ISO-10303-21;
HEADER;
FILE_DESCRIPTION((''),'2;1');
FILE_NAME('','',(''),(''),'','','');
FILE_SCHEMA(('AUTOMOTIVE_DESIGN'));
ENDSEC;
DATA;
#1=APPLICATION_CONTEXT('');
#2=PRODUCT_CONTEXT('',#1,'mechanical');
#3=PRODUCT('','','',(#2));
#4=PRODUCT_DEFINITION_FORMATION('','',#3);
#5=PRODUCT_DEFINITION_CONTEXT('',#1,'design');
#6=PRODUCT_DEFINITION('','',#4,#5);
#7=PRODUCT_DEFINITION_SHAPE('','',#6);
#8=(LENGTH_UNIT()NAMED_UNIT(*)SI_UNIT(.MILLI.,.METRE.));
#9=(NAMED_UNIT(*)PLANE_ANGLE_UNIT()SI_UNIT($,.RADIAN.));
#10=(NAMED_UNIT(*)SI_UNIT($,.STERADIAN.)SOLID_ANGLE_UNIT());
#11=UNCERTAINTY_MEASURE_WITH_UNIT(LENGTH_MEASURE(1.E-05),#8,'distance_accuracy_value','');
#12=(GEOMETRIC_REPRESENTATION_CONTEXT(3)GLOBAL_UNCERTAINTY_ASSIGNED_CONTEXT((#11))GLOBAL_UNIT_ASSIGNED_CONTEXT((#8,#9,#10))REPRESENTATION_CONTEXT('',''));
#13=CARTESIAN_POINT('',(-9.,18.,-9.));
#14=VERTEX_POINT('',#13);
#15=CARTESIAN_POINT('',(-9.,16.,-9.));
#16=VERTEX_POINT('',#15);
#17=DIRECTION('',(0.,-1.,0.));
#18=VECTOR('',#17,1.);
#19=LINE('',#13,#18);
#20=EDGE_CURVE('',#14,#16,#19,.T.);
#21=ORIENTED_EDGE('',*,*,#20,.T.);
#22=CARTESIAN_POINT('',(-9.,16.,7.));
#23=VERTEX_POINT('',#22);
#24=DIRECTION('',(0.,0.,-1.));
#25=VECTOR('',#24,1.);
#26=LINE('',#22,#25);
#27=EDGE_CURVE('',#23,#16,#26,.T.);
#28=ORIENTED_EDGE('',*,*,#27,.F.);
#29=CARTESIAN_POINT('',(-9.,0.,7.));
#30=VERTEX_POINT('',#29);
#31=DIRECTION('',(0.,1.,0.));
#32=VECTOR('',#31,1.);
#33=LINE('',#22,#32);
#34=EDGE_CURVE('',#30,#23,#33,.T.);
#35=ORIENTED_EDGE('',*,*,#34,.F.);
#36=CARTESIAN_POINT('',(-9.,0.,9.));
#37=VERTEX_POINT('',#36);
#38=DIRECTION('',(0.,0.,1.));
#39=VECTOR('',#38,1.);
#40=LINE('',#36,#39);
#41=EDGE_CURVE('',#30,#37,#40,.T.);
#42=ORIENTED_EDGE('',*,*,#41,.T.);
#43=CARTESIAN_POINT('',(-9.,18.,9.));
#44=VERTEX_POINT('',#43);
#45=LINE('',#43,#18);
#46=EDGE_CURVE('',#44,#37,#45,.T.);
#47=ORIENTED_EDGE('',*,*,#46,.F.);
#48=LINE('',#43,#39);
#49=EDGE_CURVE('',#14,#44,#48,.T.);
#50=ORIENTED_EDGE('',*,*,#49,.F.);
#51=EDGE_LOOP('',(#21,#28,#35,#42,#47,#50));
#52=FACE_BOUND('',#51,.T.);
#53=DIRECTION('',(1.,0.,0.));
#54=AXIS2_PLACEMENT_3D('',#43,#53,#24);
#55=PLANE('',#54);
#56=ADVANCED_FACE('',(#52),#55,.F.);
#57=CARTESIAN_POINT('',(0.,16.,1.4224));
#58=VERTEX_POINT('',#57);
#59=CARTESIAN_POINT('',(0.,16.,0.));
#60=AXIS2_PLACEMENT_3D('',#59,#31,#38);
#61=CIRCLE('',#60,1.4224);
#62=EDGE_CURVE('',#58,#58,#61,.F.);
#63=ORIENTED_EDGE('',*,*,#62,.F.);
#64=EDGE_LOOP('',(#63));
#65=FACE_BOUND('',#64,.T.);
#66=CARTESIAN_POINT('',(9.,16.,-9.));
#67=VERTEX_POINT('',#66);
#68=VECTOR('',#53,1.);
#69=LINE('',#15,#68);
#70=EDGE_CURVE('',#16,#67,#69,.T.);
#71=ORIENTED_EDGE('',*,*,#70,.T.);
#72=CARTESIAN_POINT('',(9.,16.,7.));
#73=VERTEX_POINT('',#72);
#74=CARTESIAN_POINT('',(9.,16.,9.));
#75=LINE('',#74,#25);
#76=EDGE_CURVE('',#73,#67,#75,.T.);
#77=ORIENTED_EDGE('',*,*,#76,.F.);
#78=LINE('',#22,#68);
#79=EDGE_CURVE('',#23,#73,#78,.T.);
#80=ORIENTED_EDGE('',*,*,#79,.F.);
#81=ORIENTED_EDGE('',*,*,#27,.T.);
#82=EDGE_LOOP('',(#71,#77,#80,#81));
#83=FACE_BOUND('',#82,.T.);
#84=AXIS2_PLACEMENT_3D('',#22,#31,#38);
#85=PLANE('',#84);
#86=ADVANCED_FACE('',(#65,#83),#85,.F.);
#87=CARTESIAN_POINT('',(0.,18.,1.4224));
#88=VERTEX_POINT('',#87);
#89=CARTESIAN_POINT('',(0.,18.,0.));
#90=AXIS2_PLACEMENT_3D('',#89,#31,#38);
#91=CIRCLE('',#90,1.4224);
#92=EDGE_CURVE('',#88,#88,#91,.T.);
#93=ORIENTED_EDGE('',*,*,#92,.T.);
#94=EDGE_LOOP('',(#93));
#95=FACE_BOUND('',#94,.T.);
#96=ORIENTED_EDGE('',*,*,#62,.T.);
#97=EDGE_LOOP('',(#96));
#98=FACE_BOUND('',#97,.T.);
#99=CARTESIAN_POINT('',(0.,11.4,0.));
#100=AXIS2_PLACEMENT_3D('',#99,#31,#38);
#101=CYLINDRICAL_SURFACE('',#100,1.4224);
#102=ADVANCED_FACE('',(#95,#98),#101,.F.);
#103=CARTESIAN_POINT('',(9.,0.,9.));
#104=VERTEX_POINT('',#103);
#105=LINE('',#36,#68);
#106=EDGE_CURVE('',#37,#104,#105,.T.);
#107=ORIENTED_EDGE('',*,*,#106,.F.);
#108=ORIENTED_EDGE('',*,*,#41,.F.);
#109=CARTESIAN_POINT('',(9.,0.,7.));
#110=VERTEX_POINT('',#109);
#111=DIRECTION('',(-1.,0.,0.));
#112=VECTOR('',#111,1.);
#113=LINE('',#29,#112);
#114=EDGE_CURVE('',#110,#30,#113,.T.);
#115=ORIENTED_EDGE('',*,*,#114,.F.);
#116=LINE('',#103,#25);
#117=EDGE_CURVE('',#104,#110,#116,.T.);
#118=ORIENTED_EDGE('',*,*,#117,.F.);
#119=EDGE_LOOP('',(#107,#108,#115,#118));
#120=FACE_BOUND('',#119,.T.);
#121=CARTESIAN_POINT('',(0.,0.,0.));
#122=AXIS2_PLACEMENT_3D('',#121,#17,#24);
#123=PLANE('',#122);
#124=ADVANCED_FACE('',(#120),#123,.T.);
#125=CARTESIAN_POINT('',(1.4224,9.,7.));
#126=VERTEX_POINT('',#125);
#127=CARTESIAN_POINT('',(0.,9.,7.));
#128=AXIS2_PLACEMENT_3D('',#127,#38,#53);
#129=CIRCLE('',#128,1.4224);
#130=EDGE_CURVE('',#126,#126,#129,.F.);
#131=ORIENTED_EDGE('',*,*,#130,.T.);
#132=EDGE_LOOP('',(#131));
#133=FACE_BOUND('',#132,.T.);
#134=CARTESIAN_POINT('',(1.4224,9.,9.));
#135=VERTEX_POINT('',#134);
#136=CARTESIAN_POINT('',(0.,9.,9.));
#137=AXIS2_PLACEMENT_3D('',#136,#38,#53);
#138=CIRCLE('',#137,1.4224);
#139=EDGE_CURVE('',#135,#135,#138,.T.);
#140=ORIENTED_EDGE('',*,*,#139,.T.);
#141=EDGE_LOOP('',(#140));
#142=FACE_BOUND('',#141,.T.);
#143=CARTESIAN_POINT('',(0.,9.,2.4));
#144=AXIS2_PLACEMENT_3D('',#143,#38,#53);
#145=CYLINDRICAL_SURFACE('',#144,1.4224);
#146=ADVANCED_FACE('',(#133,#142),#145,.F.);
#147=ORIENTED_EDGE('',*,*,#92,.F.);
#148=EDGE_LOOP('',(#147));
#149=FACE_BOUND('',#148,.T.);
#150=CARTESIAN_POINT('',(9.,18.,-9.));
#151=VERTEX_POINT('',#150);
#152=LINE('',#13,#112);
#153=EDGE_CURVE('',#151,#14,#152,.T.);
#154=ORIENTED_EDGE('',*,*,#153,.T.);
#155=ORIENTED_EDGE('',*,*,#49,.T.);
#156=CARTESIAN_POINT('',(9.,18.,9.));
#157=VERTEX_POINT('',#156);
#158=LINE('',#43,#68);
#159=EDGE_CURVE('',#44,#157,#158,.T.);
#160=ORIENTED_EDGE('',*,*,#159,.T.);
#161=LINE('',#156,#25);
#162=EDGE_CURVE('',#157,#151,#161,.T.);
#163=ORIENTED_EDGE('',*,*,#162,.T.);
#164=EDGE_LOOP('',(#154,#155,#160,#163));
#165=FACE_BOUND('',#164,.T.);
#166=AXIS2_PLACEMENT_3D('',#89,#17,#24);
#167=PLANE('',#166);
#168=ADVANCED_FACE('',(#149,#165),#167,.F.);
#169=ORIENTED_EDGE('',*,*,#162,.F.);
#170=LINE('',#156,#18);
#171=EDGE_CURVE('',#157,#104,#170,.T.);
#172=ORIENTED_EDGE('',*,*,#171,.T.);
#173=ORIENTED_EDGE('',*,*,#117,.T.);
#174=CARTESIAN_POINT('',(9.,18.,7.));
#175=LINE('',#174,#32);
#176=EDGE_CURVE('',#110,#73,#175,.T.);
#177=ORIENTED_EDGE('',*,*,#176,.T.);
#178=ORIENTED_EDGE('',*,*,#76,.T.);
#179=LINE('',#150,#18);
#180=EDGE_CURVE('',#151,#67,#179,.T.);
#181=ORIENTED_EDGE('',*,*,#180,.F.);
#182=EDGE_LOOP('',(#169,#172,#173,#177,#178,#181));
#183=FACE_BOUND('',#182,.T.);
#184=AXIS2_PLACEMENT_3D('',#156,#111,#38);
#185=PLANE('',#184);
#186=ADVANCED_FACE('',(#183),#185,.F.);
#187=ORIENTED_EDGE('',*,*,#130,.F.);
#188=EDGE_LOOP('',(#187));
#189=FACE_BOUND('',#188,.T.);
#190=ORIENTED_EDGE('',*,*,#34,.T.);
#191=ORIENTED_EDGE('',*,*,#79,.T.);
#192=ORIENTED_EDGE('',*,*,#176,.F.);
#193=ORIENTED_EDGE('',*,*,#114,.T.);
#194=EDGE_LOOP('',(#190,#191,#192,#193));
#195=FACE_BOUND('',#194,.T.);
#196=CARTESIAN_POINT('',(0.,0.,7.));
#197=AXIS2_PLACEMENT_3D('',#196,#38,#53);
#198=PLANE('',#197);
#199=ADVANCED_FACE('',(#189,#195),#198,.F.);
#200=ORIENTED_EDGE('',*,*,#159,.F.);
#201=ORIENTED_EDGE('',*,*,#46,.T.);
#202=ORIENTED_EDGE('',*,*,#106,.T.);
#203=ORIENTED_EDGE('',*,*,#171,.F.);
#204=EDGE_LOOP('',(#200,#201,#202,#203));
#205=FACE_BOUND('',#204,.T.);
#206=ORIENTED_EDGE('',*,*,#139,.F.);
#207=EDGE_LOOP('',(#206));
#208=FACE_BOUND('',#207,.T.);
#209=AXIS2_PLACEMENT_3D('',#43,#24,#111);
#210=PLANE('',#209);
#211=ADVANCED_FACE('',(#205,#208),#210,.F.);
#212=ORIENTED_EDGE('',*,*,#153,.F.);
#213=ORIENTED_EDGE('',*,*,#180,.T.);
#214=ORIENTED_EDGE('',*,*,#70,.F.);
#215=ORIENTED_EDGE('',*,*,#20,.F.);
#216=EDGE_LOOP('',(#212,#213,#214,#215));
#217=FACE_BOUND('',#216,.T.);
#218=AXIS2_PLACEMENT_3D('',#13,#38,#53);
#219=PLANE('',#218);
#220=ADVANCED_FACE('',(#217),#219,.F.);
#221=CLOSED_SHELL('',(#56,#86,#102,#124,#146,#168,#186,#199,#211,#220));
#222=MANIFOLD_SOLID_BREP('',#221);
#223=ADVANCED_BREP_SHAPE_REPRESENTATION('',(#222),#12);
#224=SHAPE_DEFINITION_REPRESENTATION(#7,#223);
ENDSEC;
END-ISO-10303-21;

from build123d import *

# Parameters (mm, degrees)
SKETCH2_W           = 18
SKETCH2_H           = 18
BOSS_EXTRUDE1_DEPTH = 18
SKETCH3_R           = 1.4224
CUT_EXTRUDE1_DEPTH  = 6.6
SKETCH4_R           = 1.4224
CUT_EXTRUDE2_DEPTH  = 6.6
SKETCH5_R           = 1.4224
CUT_EXTRUDE3_DEPTH  = 6.6
SKETCH6_W           = 16
SKETCH6_H           = 16
CUT_EXTRUDE4_DEPTH  = 16
SKETCH7_W           = 16
SKETCH7_H           = 16
CUT_EXTRUDE5_DEPTH  = 10


with BuildPart() as part:
    # Sketch2 → Boss-Extrude1 (new body)
    with BuildSketch(Plane(origin=(0, 0, 0), x_dir=(1, 0, 0), z_dir=(0, 1, 0))):
        Rectangle(SKETCH2_W, SKETCH2_H)
    extrude(amount=BOSS_EXTRUDE1_DEPTH)

    # Sketch3 → Cut-Extrude1 (cut)
    with BuildSketch(Plane(origin=(0, 18, 0), x_dir=(1, 0, 0), z_dir=(0, 1, 0))):
        Circle(SKETCH3_R)
    extrude(amount=-CUT_EXTRUDE1_DEPTH, mode=Mode.SUBTRACT)

    # Sketch4 → Cut-Extrude2 (cut)
    with BuildSketch(Plane(origin=(9, 0, 0), x_dir=(0, 0, -1), z_dir=(1, 0, 0))):
        with Locations((0, 9)):
            Circle(SKETCH4_R)
    extrude(amount=-CUT_EXTRUDE2_DEPTH, mode=Mode.SUBTRACT)

    # Sketch5 → Cut-Extrude3 (cut)
    with BuildSketch(Plane.XY.offset(9)):
        with Locations((0, 9)):
            Circle(SKETCH5_R)
    extrude(amount=-CUT_EXTRUDE3_DEPTH, mode=Mode.SUBTRACT)

    # Sketch6 → Cut-Extrude4 (cut)
    with BuildSketch(Plane(origin=(0, 0, -9), x_dir=(-1, 0, 0), z_dir=(0, 0, -1))):
        with Locations((1, 8)):
            Rectangle(SKETCH6_W, SKETCH6_H)
    extrude(amount=-CUT_EXTRUDE4_DEPTH, mode=Mode.SUBTRACT)

    # Sketch7 → Cut-Extrude5 (cut)
    with BuildSketch(Plane.ZY.offset(-7)):
        with Locations((-1, 8)):
            Rectangle(SKETCH7_W, SKETCH7_H)
    extrude(amount=-CUT_EXTRUDE5_DEPTH, mode=Mode.SUBTRACT)


solid = part.part
